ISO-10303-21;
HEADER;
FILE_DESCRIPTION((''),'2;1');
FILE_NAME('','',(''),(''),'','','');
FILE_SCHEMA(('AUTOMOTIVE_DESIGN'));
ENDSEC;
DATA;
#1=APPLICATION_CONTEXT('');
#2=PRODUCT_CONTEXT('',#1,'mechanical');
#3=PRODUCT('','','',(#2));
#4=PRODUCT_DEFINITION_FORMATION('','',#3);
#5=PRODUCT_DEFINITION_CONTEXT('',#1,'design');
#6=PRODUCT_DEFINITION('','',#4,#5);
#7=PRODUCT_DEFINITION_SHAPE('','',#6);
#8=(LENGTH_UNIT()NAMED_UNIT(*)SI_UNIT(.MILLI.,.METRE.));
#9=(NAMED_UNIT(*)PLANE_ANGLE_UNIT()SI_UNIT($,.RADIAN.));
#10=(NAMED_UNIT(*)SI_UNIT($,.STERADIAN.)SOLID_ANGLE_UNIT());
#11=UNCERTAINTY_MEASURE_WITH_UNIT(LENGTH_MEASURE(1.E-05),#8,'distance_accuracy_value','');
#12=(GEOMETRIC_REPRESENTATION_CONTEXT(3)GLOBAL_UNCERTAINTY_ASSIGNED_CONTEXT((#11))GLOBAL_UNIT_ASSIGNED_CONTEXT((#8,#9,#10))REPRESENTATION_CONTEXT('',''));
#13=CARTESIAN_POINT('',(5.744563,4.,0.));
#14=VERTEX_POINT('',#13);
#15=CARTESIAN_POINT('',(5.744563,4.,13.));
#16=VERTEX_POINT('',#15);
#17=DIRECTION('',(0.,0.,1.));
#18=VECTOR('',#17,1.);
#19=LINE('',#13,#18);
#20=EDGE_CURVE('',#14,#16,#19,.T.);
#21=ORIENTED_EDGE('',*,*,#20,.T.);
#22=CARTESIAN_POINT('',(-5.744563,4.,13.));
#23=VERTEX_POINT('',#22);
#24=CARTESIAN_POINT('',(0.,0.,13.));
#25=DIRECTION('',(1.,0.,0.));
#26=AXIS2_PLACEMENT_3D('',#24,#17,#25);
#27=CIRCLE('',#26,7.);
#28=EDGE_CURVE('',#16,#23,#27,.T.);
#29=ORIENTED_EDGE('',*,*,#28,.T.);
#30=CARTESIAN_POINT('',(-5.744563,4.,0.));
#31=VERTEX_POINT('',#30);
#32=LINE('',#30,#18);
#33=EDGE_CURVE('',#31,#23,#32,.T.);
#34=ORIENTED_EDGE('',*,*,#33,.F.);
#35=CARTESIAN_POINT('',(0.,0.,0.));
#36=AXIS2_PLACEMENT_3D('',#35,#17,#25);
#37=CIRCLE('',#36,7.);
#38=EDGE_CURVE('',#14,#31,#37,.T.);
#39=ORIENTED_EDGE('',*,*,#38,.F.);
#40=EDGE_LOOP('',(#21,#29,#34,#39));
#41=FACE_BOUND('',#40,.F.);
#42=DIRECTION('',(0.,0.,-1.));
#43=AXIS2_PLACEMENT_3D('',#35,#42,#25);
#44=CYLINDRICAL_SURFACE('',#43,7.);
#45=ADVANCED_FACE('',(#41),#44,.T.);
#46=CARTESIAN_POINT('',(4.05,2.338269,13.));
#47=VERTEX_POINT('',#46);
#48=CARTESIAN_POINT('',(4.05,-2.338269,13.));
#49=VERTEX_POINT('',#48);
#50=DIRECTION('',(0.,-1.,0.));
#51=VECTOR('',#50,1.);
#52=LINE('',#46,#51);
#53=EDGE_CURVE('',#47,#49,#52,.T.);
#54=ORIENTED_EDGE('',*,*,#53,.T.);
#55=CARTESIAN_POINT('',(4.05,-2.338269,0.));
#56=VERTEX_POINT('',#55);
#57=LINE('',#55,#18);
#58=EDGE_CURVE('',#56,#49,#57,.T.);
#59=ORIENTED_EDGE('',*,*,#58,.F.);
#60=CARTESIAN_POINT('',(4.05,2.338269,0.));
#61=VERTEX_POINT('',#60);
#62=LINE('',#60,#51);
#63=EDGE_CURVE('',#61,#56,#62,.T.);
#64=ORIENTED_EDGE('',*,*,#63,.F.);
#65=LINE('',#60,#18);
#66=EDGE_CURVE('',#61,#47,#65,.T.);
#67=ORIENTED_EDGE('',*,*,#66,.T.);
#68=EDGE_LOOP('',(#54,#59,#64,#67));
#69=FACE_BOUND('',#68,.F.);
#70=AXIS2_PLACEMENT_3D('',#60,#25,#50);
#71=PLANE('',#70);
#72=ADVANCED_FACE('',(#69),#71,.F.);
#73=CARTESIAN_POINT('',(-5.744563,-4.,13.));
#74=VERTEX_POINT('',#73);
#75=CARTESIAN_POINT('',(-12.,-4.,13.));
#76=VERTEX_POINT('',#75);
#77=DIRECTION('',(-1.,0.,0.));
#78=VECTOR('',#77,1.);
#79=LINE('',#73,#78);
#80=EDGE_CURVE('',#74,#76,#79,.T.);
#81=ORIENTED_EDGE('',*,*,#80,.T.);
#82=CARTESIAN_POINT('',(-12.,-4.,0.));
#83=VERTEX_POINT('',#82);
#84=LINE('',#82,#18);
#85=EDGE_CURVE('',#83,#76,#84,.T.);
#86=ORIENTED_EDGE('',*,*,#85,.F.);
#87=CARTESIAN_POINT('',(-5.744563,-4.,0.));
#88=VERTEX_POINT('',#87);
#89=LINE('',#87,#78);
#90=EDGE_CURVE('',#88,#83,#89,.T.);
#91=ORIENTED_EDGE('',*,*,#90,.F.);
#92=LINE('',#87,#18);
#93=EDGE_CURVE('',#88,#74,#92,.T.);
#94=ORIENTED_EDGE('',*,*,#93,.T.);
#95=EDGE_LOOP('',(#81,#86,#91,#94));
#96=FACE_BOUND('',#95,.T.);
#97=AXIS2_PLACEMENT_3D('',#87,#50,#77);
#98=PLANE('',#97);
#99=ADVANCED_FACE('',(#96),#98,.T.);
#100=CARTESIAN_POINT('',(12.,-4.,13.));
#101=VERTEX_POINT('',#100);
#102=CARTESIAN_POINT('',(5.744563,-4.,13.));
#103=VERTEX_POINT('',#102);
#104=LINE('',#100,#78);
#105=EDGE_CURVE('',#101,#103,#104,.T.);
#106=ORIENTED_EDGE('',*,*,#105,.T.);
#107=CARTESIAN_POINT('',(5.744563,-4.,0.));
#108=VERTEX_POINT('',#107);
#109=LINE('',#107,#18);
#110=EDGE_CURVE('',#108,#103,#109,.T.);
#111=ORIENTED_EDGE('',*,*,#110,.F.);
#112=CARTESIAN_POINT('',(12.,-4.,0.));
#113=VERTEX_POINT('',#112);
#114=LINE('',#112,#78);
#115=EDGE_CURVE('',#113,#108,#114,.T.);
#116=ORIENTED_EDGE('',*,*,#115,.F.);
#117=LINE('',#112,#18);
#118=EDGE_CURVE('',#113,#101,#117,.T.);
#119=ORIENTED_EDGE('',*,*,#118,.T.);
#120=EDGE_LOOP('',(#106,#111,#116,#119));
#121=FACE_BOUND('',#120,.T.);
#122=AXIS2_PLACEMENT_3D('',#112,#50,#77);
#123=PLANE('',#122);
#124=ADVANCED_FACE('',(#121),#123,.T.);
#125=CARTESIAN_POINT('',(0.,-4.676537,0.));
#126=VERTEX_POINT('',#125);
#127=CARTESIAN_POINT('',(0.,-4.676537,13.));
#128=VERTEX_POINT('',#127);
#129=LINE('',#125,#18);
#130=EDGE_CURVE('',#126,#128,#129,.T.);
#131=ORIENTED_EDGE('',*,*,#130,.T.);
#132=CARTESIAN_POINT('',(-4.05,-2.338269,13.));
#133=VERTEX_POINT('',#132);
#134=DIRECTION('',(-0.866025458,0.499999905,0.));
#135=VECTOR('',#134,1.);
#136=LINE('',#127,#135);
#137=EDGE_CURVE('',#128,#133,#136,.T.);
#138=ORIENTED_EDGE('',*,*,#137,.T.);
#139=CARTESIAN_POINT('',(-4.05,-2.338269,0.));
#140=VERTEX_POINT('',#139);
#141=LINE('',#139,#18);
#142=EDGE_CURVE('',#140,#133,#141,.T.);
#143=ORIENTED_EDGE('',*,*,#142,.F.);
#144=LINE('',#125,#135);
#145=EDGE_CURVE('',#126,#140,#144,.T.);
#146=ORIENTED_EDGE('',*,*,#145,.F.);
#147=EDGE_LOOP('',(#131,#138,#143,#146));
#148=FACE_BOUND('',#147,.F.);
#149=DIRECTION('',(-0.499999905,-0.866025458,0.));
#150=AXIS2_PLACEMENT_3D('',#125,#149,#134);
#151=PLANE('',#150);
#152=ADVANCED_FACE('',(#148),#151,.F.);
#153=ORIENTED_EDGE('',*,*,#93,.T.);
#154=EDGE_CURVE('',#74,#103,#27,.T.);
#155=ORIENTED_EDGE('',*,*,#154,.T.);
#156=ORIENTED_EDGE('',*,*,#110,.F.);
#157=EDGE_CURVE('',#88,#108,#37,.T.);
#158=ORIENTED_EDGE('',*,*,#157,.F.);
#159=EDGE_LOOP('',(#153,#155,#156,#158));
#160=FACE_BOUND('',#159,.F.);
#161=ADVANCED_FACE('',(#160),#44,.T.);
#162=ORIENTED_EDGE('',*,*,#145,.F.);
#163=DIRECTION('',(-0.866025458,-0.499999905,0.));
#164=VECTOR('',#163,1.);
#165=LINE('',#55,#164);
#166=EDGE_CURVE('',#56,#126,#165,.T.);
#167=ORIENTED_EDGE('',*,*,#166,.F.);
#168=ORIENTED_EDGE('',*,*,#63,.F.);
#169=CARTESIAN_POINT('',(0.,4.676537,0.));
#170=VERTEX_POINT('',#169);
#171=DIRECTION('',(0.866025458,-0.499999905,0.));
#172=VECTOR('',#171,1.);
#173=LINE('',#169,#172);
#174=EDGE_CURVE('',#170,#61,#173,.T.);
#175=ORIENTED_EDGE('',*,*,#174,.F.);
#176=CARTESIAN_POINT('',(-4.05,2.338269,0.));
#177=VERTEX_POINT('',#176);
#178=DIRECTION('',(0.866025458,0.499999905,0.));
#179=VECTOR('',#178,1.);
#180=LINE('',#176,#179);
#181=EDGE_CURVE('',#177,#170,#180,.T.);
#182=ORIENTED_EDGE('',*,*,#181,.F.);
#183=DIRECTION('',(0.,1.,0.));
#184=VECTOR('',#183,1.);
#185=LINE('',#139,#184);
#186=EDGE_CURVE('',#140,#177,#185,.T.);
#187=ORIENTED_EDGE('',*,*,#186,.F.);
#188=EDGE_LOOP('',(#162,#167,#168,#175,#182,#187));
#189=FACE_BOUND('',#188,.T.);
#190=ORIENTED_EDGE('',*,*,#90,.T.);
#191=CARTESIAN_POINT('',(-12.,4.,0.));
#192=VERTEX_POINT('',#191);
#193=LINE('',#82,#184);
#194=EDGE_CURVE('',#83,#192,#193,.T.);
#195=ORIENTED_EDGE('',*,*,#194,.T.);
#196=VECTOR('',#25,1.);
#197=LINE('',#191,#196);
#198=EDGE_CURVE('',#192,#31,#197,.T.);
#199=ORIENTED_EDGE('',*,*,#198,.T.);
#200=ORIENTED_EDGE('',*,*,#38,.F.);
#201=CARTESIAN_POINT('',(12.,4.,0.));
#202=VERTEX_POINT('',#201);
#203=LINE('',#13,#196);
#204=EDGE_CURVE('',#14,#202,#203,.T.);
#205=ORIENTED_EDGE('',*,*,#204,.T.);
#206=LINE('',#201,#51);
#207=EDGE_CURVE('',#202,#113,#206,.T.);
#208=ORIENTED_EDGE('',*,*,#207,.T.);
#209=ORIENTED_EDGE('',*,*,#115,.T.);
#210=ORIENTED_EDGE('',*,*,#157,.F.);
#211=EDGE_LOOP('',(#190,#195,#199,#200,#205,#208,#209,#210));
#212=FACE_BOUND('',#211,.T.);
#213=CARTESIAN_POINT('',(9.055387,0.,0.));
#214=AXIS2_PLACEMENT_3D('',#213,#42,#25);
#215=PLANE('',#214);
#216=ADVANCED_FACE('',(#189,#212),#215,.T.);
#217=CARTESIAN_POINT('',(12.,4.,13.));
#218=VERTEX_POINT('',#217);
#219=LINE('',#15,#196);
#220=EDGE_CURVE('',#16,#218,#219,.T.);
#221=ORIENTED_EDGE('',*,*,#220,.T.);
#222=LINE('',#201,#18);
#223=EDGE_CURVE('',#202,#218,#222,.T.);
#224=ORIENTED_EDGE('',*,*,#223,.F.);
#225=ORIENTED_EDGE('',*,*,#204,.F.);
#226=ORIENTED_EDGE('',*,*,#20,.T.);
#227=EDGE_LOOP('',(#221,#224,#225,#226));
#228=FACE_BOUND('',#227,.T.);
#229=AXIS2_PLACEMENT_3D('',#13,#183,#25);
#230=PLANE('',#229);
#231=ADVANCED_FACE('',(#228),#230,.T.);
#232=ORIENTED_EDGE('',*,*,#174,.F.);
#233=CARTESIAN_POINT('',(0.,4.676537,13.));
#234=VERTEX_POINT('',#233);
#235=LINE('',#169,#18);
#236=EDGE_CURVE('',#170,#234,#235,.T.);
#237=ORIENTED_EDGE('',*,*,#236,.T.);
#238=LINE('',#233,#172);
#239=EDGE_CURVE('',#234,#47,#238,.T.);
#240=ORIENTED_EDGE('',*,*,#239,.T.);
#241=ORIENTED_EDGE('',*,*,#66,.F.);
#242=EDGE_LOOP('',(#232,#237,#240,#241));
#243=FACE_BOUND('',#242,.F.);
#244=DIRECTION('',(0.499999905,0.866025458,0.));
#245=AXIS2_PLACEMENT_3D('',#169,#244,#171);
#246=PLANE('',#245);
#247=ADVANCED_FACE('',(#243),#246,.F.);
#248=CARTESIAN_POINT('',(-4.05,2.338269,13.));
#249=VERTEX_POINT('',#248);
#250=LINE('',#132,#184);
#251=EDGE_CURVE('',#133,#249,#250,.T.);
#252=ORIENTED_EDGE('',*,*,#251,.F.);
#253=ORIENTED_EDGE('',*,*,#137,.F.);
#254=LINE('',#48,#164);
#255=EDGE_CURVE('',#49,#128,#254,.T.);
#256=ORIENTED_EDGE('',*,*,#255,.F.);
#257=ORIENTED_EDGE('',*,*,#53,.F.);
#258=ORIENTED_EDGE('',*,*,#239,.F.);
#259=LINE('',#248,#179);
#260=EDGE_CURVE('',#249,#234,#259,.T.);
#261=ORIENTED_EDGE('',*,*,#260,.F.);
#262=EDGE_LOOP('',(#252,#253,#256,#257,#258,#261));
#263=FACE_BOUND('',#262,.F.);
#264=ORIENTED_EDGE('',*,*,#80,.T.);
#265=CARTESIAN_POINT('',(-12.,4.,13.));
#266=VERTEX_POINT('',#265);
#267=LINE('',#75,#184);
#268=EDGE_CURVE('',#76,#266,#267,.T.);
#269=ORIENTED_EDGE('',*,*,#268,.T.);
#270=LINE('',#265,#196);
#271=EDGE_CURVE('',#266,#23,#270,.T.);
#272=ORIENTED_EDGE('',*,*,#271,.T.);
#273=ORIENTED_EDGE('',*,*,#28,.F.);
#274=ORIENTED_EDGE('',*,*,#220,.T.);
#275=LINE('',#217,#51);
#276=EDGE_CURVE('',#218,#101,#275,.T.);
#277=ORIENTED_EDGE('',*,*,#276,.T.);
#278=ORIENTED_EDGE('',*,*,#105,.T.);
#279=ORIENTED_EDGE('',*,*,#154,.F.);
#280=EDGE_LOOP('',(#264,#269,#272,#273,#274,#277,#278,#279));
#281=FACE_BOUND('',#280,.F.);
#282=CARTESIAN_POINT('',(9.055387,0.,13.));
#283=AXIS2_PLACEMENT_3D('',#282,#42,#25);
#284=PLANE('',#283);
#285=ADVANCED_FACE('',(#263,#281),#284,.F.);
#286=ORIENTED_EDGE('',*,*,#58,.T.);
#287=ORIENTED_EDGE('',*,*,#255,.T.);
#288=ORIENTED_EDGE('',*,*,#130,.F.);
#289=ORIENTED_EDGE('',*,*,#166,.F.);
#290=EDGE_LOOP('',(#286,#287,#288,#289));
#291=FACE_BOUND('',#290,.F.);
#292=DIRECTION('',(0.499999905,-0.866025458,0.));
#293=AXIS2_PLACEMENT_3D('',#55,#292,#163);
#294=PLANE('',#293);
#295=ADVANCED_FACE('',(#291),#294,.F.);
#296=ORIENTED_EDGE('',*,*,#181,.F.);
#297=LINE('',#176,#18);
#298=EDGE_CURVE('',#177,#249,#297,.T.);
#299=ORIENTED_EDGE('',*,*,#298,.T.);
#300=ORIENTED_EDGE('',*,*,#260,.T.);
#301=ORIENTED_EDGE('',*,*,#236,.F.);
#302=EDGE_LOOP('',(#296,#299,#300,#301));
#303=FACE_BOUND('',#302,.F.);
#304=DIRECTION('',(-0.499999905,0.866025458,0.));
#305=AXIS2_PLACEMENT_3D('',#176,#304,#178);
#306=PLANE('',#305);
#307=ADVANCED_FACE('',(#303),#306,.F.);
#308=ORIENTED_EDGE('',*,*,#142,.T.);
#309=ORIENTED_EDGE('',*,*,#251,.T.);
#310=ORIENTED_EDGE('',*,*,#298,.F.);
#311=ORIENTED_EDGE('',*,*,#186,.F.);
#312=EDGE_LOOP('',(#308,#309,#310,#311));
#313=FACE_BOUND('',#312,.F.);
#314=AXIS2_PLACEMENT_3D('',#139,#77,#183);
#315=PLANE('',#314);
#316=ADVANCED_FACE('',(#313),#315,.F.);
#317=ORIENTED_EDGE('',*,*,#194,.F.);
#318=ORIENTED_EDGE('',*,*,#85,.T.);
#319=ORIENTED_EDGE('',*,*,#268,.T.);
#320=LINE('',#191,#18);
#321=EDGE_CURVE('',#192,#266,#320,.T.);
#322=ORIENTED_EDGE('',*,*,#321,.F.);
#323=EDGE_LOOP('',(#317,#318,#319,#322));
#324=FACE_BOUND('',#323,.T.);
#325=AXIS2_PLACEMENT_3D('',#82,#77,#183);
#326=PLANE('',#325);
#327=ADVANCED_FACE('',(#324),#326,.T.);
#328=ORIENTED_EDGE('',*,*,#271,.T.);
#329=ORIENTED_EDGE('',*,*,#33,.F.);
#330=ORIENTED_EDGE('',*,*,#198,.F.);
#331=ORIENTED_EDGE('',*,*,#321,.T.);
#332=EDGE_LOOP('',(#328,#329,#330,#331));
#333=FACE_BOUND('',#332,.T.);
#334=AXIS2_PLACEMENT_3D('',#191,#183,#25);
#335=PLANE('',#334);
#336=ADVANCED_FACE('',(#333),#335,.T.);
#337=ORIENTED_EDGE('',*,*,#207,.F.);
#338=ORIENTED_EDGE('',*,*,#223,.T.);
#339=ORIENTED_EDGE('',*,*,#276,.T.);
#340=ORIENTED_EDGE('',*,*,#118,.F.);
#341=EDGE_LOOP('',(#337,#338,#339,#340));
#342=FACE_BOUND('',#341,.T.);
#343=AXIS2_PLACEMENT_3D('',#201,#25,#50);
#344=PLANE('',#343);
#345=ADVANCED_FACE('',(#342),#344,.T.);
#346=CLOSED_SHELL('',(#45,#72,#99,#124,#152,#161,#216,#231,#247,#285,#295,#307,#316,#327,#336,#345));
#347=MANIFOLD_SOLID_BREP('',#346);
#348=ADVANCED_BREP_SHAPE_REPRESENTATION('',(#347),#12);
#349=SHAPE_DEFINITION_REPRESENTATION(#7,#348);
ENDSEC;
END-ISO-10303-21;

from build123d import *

# Parameters (mm, degrees)
F0_R     = 7
F1_DEPTH = 13
F3_DEPTH = 13


with BuildPart() as f1:
    # F0 (on Top) → F1 (new body)
    with BuildSketch(Plane.XY):
        Circle(F0_R)
        Polygon((0, 4.676537), (4.05, 2.338269), (4.05, -2.338269), (0, -4.676537), (-4.05, -2.338269), (-4.05, 2.338269), align=None, mode=Mode.SUBTRACT)
    extrude(amount=F1_DEPTH)

    # F2 (on face) → F3 (join)
    with BuildSketch(Plane(origin=(0, 0, 0), x_dir=(1, 0, 0), z_dir=(0, 0, -1))):
        with BuildLine():
            ThreePointArc((7, 0), (6.67877, -2.096194), (5.744563, -4))
            Line((5.744563, -4), (12, -4))
            Line((12, -4), (12, 4))
            Line((12, 4), (5.744563, 4))
            ThreePointArc((5.744563, 4), (6.67877, 2.096194), (7, 0))
        make_face()
        with BuildLine():
            Line((-12, -4), (-5.744563, -4))
            ThreePointArc((-5.744563, -4), (-7, 0), (-5.744563, 4))
            Line((-5.744563, 4), (-12, 4))
            Line((-12, 4), (-12, -4))
        make_face()
    extrude(amount=-F3_DEPTH)


solid = f1.part
